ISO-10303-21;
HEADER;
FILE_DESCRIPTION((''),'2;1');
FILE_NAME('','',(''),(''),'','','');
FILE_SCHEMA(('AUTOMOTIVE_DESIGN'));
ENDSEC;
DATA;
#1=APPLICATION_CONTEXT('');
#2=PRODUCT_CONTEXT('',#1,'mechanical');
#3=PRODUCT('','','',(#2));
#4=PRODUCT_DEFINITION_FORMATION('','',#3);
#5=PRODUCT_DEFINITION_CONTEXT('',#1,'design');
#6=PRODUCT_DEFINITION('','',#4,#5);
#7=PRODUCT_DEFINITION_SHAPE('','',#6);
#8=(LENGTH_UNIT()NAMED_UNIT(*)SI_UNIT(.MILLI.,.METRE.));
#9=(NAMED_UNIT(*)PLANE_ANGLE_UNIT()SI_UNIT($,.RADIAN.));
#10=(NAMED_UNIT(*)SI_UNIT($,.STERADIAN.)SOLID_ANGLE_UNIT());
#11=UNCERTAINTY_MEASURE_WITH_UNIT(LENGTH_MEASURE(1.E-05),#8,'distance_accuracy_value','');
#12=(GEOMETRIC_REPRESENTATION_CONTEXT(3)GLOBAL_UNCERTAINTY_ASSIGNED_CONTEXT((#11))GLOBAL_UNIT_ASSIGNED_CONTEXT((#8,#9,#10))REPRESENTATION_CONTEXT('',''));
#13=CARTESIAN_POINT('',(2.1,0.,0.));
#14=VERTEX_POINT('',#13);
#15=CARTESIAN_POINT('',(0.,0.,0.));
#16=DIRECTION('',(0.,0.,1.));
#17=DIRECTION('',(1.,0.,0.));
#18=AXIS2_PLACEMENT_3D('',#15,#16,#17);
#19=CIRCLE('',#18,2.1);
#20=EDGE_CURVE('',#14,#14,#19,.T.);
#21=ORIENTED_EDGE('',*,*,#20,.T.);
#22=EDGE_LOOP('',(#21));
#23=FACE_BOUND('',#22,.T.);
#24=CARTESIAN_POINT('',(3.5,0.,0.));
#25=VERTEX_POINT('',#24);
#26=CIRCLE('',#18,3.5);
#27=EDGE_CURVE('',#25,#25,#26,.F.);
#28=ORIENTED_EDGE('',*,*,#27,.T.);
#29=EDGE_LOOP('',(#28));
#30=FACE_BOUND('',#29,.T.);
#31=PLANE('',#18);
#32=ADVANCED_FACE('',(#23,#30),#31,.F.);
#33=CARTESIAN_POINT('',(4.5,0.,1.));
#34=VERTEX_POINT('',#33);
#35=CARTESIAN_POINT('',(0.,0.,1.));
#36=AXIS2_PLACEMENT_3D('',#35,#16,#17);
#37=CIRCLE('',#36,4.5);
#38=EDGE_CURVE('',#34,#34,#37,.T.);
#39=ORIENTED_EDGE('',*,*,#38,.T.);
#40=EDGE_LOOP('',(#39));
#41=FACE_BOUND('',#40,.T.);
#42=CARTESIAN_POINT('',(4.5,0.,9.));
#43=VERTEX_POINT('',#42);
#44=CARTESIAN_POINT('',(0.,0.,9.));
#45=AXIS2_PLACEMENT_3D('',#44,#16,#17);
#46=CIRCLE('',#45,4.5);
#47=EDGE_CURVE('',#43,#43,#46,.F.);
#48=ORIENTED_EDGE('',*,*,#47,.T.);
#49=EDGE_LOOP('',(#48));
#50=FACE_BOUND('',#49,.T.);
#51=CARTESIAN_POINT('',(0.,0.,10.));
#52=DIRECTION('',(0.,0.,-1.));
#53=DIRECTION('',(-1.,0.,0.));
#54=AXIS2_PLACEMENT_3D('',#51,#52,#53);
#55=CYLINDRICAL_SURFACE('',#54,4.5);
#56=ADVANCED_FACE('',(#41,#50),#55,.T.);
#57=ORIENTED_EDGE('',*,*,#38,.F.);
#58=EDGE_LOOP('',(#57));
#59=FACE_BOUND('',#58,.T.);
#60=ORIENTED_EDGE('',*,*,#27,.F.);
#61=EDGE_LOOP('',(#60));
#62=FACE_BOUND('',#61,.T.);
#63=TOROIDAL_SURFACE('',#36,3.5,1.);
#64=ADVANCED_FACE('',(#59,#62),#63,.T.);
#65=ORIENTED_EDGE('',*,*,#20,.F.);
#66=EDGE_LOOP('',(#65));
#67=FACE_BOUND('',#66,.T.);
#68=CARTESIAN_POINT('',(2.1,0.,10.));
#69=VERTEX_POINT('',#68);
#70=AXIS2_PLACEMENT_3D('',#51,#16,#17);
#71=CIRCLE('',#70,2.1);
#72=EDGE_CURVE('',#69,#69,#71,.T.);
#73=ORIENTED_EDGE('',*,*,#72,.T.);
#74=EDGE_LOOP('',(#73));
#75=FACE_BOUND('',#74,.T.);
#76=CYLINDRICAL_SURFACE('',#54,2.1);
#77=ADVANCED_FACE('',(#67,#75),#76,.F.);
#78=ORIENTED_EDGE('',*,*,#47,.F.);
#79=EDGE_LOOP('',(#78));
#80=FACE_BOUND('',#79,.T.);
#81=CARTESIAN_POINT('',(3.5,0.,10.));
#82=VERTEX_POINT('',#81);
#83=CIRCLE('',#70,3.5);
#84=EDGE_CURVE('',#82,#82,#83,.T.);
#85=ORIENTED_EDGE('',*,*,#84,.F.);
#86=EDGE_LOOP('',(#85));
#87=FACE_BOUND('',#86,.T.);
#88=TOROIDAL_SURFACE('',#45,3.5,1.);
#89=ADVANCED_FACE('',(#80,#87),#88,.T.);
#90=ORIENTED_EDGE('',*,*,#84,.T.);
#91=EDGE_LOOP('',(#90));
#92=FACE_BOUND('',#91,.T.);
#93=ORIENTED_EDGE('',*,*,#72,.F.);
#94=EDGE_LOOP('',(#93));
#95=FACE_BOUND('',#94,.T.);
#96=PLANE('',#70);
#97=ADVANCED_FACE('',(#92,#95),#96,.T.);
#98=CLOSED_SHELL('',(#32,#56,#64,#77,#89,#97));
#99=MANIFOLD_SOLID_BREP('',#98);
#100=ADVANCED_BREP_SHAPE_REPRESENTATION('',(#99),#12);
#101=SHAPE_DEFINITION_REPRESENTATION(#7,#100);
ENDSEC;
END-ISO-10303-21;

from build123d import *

# Parameters (mm, degrees)
SKIZZE1_R                       = 4.5
SKIZZE1_R_2                     = 2.1
AUFSATZ_LINEAR_AUSTRAGEN1_DEPTH = 10
VERRUNDUNG1_R                   = 1


with BuildPart() as part:
    # Skizze1 → Aufsatz-Linear austragen1 (new body)
    with BuildSketch(Plane.XY):
        Circle(SKIZZE1_R)
        Circle(SKIZZE1_R_2, mode=Mode.SUBTRACT)
    extrude(amount=AUFSATZ_LINEAR_AUSTRAGEN1_DEPTH)

    # Verrundung1
    verrundung1_edges = [part.edges().sort_by_distance(p)[0] for p in [
        (-4.5, 0, 0),
        (-4.5, 0, 10),
    ]]
    fillet(verrundung1_edges, radius=VERRUNDUNG1_R)


solid = part.part
